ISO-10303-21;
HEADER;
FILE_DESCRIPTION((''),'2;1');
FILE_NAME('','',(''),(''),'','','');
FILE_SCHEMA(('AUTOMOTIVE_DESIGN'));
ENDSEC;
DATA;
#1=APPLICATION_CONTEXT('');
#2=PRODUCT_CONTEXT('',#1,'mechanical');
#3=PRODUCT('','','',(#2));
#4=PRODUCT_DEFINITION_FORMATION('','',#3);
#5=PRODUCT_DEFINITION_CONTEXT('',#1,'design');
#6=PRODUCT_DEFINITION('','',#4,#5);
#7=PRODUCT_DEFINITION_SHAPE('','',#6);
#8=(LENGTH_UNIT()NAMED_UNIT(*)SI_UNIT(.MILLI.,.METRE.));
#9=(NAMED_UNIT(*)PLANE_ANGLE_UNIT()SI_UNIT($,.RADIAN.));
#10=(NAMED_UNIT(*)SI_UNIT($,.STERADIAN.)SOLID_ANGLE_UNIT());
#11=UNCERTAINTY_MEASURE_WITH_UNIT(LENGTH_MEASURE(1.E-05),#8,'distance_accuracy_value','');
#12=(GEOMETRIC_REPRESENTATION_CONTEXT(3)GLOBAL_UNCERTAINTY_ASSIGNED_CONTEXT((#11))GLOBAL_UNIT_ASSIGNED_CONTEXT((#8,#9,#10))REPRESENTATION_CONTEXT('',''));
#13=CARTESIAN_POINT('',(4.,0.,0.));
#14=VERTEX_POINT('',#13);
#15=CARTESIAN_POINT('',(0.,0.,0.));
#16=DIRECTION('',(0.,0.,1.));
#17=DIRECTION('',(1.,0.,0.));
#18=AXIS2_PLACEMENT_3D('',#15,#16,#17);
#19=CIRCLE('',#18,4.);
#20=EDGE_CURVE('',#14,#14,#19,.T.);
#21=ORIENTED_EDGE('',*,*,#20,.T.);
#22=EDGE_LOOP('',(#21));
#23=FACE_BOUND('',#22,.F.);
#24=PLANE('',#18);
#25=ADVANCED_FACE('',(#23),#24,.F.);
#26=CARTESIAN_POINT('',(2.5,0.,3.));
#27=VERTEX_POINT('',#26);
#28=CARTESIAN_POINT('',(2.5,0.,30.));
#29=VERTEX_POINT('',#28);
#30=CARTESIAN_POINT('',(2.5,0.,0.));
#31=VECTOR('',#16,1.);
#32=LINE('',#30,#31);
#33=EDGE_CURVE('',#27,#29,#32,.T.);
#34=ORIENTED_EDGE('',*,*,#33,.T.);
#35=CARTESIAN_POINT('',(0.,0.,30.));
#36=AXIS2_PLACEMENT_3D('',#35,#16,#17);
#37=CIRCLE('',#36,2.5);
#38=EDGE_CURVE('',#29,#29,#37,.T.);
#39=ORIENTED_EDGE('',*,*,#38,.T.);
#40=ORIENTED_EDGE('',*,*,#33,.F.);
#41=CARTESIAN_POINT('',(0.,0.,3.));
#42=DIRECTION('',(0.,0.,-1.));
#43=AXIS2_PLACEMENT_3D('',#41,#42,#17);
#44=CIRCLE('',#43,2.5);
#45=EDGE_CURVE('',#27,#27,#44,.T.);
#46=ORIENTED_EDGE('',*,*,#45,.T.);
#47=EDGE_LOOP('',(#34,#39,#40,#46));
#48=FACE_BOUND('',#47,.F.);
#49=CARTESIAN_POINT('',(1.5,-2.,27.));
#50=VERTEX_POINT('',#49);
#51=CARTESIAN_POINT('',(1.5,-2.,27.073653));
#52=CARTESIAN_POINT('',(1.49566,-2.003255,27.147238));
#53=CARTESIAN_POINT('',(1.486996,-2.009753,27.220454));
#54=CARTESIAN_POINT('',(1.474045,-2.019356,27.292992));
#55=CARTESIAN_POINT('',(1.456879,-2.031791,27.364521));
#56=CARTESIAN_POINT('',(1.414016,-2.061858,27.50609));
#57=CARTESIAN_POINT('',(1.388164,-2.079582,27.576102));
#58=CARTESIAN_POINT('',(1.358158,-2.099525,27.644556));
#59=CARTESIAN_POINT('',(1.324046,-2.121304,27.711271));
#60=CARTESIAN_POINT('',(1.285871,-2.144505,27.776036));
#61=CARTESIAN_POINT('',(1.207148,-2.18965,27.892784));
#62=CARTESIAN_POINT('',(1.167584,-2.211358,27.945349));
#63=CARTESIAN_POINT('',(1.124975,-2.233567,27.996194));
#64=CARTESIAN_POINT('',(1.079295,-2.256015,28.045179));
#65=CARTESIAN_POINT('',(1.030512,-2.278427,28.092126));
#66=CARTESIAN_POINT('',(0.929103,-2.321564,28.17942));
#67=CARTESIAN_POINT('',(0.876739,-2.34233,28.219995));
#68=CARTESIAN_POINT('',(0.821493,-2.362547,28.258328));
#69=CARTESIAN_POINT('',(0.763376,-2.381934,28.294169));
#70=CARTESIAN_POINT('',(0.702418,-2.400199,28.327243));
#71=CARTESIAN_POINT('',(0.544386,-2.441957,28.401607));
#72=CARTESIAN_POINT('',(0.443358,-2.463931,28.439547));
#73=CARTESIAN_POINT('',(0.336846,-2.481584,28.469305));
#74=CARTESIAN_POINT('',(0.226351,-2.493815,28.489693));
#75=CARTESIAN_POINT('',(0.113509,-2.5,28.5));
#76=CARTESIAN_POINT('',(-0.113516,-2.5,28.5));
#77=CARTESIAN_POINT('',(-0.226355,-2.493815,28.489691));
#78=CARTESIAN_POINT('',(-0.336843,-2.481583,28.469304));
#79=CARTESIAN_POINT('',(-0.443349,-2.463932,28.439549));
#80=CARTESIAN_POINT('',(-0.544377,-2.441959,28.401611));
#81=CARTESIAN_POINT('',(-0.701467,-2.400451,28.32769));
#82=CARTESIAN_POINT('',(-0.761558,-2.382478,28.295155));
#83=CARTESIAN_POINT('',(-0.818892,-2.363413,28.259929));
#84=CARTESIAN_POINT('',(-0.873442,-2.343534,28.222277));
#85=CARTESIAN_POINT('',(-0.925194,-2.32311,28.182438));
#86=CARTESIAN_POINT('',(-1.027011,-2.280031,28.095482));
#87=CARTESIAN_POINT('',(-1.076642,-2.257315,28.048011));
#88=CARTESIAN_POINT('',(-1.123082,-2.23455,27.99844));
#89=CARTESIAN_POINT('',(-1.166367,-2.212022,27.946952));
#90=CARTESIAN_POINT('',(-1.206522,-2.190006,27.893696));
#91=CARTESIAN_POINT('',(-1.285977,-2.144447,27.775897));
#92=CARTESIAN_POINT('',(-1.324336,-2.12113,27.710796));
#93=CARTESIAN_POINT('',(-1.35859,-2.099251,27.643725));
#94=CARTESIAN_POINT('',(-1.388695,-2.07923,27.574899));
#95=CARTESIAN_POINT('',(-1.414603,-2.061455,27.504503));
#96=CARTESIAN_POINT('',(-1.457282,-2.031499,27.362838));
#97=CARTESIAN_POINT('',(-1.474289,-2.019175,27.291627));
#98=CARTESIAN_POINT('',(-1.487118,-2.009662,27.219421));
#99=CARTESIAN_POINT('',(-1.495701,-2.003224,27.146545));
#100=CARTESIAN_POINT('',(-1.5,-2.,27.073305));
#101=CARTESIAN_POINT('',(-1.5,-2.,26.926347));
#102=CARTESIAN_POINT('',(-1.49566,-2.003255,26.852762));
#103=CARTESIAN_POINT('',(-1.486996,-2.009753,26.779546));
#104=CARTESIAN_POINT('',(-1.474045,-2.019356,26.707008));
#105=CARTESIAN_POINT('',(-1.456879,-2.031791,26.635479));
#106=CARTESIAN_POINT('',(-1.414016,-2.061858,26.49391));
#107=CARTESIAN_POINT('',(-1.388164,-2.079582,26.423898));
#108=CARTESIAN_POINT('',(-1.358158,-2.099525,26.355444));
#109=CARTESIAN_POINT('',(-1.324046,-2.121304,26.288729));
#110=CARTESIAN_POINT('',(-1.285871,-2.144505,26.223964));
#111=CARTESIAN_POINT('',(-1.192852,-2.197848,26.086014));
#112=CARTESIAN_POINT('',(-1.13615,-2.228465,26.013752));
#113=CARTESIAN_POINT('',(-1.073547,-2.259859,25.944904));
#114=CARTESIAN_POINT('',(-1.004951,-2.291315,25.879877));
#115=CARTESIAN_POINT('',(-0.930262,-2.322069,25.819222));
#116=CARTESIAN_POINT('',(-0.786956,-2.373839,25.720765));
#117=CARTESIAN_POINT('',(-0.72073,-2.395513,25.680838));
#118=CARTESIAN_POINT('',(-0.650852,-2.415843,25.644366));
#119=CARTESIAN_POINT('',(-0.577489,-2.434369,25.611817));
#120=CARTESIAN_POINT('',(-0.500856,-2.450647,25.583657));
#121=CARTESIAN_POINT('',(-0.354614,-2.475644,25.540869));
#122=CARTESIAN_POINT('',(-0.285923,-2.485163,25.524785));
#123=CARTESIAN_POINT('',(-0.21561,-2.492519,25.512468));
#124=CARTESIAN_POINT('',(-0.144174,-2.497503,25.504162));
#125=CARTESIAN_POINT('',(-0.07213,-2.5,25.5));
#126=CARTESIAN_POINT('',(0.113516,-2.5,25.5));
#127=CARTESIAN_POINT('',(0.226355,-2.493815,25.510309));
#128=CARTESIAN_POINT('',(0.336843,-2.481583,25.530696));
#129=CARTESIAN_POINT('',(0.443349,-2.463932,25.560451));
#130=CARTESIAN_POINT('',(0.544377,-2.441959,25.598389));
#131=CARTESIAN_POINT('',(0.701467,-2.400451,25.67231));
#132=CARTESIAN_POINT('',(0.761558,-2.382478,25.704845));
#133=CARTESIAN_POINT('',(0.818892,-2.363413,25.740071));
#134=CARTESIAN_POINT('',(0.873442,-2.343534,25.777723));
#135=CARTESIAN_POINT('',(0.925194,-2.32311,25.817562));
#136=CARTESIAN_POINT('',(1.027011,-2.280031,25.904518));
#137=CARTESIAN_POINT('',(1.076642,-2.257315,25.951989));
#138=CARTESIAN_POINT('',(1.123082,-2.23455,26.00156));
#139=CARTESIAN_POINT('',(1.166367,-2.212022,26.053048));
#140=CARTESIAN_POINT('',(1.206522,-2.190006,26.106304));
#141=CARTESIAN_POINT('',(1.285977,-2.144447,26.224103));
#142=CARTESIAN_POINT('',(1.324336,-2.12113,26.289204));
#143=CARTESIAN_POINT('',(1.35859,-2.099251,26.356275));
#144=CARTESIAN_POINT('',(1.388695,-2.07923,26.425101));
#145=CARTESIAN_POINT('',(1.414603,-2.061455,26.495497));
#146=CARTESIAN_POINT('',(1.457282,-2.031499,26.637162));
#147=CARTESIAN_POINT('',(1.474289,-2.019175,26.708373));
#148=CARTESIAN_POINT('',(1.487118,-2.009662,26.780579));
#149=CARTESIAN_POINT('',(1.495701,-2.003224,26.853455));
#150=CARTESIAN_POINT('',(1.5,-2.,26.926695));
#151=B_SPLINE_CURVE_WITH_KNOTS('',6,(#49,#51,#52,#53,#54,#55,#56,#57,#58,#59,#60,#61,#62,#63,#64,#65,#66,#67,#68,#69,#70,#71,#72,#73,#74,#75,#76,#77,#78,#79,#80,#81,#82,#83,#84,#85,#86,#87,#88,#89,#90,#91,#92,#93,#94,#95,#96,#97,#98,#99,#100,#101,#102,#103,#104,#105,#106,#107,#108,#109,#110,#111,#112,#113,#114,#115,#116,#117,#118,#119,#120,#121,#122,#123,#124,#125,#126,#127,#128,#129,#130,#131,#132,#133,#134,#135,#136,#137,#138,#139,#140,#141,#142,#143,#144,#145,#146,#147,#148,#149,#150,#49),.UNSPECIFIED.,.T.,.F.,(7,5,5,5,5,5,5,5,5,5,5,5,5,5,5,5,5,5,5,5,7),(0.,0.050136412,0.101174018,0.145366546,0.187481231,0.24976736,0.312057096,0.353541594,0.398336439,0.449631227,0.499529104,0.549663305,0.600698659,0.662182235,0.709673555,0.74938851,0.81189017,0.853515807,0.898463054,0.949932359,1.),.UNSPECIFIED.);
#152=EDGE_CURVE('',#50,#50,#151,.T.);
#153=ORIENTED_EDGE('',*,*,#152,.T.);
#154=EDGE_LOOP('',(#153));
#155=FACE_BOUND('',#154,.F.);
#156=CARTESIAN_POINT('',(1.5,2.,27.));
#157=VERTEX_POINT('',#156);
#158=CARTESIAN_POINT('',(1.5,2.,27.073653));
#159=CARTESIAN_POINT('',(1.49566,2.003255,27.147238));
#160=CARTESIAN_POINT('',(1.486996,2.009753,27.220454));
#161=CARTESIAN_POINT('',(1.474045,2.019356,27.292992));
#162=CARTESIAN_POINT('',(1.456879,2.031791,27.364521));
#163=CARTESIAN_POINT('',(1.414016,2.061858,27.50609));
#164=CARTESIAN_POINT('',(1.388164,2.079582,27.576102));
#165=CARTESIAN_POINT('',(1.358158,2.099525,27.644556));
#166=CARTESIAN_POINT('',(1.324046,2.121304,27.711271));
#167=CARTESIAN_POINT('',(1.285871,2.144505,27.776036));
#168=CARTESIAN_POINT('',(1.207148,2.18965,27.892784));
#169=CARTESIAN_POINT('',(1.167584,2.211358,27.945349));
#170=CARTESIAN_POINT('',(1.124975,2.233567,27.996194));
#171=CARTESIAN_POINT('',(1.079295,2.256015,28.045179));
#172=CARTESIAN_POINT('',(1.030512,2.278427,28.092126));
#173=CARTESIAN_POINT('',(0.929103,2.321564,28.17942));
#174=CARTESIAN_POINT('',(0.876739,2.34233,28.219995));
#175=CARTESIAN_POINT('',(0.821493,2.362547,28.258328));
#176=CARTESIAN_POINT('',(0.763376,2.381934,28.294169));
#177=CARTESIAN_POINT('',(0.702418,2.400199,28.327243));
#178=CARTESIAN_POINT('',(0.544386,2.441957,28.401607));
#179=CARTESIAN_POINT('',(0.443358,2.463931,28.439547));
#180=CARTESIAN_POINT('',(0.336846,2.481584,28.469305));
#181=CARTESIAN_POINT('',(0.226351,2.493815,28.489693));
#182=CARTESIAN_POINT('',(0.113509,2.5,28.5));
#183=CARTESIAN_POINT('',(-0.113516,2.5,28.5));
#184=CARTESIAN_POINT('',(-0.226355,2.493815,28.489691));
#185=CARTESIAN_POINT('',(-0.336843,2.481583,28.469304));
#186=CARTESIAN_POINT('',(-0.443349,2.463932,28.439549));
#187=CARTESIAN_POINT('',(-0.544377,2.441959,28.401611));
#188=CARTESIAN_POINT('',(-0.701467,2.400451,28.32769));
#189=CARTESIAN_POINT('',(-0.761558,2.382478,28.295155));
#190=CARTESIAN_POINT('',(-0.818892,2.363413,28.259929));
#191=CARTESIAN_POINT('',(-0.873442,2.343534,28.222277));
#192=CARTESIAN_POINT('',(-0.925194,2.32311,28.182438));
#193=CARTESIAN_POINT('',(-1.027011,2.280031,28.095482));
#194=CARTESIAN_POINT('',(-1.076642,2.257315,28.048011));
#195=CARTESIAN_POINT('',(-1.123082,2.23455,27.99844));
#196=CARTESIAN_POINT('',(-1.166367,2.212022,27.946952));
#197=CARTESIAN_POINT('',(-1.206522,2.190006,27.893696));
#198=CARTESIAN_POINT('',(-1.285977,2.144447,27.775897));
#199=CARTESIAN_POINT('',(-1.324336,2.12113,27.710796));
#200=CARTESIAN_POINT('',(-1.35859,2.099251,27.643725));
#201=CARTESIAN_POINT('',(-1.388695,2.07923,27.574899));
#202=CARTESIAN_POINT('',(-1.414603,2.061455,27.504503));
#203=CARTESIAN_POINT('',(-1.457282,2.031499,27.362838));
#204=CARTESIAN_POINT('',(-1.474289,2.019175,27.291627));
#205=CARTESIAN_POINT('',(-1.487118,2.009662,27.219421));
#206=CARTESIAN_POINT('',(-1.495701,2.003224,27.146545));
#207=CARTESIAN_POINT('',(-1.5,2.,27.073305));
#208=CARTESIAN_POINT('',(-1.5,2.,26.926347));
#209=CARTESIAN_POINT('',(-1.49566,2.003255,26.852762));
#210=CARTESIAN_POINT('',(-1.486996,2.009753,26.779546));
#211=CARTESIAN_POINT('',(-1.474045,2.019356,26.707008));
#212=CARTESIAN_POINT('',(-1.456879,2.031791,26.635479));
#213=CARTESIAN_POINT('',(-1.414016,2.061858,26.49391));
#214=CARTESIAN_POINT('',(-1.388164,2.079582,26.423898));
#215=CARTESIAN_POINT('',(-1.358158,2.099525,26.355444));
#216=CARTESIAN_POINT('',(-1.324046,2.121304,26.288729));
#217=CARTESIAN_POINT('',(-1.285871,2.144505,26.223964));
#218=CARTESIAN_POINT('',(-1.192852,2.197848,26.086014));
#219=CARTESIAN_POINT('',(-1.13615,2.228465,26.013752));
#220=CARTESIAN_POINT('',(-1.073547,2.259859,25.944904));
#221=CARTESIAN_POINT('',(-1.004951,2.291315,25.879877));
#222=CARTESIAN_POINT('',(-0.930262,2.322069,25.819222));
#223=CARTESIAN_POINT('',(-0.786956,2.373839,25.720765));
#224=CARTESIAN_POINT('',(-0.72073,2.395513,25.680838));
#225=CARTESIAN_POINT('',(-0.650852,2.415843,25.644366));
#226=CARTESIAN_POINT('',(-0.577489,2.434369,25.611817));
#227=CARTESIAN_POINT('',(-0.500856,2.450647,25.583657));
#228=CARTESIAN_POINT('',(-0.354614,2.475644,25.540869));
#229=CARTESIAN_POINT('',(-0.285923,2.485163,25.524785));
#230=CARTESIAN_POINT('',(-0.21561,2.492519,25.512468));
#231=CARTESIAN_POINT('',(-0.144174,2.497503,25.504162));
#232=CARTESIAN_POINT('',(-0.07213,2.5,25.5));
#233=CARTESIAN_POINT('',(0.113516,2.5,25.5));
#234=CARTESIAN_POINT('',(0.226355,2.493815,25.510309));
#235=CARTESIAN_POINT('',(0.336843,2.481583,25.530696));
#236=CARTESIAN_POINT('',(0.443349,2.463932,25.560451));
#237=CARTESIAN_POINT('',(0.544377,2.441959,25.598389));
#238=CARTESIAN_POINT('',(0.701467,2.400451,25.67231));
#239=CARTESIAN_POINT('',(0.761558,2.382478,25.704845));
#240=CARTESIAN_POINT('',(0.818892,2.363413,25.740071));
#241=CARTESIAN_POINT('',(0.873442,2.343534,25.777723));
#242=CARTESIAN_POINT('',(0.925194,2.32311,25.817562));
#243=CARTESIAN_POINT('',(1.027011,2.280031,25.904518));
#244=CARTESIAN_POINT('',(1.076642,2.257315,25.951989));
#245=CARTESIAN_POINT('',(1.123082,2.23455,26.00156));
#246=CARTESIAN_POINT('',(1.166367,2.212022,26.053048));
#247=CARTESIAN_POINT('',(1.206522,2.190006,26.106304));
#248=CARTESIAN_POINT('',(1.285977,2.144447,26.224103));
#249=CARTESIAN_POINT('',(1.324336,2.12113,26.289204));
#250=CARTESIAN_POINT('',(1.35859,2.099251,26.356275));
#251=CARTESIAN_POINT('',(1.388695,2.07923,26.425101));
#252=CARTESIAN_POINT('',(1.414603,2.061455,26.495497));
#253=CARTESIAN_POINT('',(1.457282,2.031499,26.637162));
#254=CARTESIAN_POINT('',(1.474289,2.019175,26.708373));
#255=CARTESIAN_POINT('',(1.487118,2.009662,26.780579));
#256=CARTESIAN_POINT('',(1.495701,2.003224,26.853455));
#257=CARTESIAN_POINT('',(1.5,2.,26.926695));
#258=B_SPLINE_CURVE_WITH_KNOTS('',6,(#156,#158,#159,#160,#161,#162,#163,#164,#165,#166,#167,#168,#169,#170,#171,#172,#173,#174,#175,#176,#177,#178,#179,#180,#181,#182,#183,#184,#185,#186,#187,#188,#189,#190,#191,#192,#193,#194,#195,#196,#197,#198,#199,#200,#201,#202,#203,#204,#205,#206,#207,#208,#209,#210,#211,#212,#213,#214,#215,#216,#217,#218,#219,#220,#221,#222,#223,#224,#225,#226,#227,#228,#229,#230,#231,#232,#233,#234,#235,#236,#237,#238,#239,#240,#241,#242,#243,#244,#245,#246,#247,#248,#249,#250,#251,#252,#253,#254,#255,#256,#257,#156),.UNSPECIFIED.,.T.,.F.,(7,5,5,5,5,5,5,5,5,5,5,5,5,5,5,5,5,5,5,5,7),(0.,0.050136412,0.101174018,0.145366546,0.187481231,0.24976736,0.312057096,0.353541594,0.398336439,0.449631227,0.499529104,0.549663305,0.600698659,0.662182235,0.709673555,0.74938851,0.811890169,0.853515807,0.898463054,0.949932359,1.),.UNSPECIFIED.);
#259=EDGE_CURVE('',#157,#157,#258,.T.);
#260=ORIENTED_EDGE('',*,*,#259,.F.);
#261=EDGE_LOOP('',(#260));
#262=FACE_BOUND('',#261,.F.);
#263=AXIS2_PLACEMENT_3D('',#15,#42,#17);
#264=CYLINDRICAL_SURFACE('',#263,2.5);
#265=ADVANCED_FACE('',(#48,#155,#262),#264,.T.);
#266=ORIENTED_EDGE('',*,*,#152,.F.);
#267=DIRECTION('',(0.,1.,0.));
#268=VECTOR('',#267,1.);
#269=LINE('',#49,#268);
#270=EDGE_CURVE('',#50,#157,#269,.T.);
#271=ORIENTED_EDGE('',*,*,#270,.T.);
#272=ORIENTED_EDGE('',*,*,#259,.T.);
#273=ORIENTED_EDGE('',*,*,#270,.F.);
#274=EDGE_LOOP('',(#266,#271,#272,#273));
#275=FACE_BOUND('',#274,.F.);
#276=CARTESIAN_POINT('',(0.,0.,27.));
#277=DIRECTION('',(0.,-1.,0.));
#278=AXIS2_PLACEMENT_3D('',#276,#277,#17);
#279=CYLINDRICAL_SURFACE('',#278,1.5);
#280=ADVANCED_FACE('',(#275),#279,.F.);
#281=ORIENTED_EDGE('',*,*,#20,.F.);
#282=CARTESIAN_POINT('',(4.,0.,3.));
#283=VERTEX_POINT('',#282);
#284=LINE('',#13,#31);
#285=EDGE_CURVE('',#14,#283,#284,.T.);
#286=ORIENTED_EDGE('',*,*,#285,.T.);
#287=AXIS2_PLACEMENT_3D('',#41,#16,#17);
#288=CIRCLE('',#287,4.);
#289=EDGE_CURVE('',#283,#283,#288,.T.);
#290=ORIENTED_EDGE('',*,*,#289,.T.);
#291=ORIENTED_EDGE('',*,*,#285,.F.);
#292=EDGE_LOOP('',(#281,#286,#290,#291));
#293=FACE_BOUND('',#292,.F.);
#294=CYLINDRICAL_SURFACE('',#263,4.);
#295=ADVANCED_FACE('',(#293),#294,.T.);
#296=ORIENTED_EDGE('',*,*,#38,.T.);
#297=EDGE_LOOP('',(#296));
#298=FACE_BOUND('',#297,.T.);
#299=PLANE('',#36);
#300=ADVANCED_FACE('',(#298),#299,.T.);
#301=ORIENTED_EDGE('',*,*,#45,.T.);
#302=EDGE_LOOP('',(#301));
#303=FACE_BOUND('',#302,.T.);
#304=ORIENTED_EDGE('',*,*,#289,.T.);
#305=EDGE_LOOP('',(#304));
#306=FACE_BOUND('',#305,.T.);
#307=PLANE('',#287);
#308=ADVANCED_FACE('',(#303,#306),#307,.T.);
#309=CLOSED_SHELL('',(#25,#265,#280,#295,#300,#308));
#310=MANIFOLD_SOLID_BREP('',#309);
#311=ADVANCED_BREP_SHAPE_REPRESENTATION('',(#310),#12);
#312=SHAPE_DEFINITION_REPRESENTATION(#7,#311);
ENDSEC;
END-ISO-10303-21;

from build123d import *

# Parameters (mm, degrees)
SKETCH_R          = 2.5
PAD_DEPTH         = 30
SKETCH001_R       = 4
PAD001_DEPTH      = 3
SKETCH002_R       = 1.5
POCKET_DEPTH      = 4.001
POCKET_DEPTH_BACK = -4.001


with BuildPart() as part:
    # Sketch → Pad (new body)
    with BuildSketch(Plane.XY):
        Circle(SKETCH_R)
    extrude(amount=PAD_DEPTH)

    # Sketch001 → Pad001 (join)
    with BuildSketch(Plane.XY):
        Circle(SKETCH001_R)
    extrude(amount=PAD001_DEPTH)

    # Sketch002 → Pocket (cut, two sides)
    with BuildSketch(Plane.XZ) as pocket_sk:
        with Locations((0, 27)):
            Circle(SKETCH002_R)
    extrude(amount=-POCKET_DEPTH, mode=Mode.SUBTRACT)
    extrude(pocket_sk.sketch, amount=-POCKET_DEPTH_BACK, mode=Mode.SUBTRACT)


solid = part.part
